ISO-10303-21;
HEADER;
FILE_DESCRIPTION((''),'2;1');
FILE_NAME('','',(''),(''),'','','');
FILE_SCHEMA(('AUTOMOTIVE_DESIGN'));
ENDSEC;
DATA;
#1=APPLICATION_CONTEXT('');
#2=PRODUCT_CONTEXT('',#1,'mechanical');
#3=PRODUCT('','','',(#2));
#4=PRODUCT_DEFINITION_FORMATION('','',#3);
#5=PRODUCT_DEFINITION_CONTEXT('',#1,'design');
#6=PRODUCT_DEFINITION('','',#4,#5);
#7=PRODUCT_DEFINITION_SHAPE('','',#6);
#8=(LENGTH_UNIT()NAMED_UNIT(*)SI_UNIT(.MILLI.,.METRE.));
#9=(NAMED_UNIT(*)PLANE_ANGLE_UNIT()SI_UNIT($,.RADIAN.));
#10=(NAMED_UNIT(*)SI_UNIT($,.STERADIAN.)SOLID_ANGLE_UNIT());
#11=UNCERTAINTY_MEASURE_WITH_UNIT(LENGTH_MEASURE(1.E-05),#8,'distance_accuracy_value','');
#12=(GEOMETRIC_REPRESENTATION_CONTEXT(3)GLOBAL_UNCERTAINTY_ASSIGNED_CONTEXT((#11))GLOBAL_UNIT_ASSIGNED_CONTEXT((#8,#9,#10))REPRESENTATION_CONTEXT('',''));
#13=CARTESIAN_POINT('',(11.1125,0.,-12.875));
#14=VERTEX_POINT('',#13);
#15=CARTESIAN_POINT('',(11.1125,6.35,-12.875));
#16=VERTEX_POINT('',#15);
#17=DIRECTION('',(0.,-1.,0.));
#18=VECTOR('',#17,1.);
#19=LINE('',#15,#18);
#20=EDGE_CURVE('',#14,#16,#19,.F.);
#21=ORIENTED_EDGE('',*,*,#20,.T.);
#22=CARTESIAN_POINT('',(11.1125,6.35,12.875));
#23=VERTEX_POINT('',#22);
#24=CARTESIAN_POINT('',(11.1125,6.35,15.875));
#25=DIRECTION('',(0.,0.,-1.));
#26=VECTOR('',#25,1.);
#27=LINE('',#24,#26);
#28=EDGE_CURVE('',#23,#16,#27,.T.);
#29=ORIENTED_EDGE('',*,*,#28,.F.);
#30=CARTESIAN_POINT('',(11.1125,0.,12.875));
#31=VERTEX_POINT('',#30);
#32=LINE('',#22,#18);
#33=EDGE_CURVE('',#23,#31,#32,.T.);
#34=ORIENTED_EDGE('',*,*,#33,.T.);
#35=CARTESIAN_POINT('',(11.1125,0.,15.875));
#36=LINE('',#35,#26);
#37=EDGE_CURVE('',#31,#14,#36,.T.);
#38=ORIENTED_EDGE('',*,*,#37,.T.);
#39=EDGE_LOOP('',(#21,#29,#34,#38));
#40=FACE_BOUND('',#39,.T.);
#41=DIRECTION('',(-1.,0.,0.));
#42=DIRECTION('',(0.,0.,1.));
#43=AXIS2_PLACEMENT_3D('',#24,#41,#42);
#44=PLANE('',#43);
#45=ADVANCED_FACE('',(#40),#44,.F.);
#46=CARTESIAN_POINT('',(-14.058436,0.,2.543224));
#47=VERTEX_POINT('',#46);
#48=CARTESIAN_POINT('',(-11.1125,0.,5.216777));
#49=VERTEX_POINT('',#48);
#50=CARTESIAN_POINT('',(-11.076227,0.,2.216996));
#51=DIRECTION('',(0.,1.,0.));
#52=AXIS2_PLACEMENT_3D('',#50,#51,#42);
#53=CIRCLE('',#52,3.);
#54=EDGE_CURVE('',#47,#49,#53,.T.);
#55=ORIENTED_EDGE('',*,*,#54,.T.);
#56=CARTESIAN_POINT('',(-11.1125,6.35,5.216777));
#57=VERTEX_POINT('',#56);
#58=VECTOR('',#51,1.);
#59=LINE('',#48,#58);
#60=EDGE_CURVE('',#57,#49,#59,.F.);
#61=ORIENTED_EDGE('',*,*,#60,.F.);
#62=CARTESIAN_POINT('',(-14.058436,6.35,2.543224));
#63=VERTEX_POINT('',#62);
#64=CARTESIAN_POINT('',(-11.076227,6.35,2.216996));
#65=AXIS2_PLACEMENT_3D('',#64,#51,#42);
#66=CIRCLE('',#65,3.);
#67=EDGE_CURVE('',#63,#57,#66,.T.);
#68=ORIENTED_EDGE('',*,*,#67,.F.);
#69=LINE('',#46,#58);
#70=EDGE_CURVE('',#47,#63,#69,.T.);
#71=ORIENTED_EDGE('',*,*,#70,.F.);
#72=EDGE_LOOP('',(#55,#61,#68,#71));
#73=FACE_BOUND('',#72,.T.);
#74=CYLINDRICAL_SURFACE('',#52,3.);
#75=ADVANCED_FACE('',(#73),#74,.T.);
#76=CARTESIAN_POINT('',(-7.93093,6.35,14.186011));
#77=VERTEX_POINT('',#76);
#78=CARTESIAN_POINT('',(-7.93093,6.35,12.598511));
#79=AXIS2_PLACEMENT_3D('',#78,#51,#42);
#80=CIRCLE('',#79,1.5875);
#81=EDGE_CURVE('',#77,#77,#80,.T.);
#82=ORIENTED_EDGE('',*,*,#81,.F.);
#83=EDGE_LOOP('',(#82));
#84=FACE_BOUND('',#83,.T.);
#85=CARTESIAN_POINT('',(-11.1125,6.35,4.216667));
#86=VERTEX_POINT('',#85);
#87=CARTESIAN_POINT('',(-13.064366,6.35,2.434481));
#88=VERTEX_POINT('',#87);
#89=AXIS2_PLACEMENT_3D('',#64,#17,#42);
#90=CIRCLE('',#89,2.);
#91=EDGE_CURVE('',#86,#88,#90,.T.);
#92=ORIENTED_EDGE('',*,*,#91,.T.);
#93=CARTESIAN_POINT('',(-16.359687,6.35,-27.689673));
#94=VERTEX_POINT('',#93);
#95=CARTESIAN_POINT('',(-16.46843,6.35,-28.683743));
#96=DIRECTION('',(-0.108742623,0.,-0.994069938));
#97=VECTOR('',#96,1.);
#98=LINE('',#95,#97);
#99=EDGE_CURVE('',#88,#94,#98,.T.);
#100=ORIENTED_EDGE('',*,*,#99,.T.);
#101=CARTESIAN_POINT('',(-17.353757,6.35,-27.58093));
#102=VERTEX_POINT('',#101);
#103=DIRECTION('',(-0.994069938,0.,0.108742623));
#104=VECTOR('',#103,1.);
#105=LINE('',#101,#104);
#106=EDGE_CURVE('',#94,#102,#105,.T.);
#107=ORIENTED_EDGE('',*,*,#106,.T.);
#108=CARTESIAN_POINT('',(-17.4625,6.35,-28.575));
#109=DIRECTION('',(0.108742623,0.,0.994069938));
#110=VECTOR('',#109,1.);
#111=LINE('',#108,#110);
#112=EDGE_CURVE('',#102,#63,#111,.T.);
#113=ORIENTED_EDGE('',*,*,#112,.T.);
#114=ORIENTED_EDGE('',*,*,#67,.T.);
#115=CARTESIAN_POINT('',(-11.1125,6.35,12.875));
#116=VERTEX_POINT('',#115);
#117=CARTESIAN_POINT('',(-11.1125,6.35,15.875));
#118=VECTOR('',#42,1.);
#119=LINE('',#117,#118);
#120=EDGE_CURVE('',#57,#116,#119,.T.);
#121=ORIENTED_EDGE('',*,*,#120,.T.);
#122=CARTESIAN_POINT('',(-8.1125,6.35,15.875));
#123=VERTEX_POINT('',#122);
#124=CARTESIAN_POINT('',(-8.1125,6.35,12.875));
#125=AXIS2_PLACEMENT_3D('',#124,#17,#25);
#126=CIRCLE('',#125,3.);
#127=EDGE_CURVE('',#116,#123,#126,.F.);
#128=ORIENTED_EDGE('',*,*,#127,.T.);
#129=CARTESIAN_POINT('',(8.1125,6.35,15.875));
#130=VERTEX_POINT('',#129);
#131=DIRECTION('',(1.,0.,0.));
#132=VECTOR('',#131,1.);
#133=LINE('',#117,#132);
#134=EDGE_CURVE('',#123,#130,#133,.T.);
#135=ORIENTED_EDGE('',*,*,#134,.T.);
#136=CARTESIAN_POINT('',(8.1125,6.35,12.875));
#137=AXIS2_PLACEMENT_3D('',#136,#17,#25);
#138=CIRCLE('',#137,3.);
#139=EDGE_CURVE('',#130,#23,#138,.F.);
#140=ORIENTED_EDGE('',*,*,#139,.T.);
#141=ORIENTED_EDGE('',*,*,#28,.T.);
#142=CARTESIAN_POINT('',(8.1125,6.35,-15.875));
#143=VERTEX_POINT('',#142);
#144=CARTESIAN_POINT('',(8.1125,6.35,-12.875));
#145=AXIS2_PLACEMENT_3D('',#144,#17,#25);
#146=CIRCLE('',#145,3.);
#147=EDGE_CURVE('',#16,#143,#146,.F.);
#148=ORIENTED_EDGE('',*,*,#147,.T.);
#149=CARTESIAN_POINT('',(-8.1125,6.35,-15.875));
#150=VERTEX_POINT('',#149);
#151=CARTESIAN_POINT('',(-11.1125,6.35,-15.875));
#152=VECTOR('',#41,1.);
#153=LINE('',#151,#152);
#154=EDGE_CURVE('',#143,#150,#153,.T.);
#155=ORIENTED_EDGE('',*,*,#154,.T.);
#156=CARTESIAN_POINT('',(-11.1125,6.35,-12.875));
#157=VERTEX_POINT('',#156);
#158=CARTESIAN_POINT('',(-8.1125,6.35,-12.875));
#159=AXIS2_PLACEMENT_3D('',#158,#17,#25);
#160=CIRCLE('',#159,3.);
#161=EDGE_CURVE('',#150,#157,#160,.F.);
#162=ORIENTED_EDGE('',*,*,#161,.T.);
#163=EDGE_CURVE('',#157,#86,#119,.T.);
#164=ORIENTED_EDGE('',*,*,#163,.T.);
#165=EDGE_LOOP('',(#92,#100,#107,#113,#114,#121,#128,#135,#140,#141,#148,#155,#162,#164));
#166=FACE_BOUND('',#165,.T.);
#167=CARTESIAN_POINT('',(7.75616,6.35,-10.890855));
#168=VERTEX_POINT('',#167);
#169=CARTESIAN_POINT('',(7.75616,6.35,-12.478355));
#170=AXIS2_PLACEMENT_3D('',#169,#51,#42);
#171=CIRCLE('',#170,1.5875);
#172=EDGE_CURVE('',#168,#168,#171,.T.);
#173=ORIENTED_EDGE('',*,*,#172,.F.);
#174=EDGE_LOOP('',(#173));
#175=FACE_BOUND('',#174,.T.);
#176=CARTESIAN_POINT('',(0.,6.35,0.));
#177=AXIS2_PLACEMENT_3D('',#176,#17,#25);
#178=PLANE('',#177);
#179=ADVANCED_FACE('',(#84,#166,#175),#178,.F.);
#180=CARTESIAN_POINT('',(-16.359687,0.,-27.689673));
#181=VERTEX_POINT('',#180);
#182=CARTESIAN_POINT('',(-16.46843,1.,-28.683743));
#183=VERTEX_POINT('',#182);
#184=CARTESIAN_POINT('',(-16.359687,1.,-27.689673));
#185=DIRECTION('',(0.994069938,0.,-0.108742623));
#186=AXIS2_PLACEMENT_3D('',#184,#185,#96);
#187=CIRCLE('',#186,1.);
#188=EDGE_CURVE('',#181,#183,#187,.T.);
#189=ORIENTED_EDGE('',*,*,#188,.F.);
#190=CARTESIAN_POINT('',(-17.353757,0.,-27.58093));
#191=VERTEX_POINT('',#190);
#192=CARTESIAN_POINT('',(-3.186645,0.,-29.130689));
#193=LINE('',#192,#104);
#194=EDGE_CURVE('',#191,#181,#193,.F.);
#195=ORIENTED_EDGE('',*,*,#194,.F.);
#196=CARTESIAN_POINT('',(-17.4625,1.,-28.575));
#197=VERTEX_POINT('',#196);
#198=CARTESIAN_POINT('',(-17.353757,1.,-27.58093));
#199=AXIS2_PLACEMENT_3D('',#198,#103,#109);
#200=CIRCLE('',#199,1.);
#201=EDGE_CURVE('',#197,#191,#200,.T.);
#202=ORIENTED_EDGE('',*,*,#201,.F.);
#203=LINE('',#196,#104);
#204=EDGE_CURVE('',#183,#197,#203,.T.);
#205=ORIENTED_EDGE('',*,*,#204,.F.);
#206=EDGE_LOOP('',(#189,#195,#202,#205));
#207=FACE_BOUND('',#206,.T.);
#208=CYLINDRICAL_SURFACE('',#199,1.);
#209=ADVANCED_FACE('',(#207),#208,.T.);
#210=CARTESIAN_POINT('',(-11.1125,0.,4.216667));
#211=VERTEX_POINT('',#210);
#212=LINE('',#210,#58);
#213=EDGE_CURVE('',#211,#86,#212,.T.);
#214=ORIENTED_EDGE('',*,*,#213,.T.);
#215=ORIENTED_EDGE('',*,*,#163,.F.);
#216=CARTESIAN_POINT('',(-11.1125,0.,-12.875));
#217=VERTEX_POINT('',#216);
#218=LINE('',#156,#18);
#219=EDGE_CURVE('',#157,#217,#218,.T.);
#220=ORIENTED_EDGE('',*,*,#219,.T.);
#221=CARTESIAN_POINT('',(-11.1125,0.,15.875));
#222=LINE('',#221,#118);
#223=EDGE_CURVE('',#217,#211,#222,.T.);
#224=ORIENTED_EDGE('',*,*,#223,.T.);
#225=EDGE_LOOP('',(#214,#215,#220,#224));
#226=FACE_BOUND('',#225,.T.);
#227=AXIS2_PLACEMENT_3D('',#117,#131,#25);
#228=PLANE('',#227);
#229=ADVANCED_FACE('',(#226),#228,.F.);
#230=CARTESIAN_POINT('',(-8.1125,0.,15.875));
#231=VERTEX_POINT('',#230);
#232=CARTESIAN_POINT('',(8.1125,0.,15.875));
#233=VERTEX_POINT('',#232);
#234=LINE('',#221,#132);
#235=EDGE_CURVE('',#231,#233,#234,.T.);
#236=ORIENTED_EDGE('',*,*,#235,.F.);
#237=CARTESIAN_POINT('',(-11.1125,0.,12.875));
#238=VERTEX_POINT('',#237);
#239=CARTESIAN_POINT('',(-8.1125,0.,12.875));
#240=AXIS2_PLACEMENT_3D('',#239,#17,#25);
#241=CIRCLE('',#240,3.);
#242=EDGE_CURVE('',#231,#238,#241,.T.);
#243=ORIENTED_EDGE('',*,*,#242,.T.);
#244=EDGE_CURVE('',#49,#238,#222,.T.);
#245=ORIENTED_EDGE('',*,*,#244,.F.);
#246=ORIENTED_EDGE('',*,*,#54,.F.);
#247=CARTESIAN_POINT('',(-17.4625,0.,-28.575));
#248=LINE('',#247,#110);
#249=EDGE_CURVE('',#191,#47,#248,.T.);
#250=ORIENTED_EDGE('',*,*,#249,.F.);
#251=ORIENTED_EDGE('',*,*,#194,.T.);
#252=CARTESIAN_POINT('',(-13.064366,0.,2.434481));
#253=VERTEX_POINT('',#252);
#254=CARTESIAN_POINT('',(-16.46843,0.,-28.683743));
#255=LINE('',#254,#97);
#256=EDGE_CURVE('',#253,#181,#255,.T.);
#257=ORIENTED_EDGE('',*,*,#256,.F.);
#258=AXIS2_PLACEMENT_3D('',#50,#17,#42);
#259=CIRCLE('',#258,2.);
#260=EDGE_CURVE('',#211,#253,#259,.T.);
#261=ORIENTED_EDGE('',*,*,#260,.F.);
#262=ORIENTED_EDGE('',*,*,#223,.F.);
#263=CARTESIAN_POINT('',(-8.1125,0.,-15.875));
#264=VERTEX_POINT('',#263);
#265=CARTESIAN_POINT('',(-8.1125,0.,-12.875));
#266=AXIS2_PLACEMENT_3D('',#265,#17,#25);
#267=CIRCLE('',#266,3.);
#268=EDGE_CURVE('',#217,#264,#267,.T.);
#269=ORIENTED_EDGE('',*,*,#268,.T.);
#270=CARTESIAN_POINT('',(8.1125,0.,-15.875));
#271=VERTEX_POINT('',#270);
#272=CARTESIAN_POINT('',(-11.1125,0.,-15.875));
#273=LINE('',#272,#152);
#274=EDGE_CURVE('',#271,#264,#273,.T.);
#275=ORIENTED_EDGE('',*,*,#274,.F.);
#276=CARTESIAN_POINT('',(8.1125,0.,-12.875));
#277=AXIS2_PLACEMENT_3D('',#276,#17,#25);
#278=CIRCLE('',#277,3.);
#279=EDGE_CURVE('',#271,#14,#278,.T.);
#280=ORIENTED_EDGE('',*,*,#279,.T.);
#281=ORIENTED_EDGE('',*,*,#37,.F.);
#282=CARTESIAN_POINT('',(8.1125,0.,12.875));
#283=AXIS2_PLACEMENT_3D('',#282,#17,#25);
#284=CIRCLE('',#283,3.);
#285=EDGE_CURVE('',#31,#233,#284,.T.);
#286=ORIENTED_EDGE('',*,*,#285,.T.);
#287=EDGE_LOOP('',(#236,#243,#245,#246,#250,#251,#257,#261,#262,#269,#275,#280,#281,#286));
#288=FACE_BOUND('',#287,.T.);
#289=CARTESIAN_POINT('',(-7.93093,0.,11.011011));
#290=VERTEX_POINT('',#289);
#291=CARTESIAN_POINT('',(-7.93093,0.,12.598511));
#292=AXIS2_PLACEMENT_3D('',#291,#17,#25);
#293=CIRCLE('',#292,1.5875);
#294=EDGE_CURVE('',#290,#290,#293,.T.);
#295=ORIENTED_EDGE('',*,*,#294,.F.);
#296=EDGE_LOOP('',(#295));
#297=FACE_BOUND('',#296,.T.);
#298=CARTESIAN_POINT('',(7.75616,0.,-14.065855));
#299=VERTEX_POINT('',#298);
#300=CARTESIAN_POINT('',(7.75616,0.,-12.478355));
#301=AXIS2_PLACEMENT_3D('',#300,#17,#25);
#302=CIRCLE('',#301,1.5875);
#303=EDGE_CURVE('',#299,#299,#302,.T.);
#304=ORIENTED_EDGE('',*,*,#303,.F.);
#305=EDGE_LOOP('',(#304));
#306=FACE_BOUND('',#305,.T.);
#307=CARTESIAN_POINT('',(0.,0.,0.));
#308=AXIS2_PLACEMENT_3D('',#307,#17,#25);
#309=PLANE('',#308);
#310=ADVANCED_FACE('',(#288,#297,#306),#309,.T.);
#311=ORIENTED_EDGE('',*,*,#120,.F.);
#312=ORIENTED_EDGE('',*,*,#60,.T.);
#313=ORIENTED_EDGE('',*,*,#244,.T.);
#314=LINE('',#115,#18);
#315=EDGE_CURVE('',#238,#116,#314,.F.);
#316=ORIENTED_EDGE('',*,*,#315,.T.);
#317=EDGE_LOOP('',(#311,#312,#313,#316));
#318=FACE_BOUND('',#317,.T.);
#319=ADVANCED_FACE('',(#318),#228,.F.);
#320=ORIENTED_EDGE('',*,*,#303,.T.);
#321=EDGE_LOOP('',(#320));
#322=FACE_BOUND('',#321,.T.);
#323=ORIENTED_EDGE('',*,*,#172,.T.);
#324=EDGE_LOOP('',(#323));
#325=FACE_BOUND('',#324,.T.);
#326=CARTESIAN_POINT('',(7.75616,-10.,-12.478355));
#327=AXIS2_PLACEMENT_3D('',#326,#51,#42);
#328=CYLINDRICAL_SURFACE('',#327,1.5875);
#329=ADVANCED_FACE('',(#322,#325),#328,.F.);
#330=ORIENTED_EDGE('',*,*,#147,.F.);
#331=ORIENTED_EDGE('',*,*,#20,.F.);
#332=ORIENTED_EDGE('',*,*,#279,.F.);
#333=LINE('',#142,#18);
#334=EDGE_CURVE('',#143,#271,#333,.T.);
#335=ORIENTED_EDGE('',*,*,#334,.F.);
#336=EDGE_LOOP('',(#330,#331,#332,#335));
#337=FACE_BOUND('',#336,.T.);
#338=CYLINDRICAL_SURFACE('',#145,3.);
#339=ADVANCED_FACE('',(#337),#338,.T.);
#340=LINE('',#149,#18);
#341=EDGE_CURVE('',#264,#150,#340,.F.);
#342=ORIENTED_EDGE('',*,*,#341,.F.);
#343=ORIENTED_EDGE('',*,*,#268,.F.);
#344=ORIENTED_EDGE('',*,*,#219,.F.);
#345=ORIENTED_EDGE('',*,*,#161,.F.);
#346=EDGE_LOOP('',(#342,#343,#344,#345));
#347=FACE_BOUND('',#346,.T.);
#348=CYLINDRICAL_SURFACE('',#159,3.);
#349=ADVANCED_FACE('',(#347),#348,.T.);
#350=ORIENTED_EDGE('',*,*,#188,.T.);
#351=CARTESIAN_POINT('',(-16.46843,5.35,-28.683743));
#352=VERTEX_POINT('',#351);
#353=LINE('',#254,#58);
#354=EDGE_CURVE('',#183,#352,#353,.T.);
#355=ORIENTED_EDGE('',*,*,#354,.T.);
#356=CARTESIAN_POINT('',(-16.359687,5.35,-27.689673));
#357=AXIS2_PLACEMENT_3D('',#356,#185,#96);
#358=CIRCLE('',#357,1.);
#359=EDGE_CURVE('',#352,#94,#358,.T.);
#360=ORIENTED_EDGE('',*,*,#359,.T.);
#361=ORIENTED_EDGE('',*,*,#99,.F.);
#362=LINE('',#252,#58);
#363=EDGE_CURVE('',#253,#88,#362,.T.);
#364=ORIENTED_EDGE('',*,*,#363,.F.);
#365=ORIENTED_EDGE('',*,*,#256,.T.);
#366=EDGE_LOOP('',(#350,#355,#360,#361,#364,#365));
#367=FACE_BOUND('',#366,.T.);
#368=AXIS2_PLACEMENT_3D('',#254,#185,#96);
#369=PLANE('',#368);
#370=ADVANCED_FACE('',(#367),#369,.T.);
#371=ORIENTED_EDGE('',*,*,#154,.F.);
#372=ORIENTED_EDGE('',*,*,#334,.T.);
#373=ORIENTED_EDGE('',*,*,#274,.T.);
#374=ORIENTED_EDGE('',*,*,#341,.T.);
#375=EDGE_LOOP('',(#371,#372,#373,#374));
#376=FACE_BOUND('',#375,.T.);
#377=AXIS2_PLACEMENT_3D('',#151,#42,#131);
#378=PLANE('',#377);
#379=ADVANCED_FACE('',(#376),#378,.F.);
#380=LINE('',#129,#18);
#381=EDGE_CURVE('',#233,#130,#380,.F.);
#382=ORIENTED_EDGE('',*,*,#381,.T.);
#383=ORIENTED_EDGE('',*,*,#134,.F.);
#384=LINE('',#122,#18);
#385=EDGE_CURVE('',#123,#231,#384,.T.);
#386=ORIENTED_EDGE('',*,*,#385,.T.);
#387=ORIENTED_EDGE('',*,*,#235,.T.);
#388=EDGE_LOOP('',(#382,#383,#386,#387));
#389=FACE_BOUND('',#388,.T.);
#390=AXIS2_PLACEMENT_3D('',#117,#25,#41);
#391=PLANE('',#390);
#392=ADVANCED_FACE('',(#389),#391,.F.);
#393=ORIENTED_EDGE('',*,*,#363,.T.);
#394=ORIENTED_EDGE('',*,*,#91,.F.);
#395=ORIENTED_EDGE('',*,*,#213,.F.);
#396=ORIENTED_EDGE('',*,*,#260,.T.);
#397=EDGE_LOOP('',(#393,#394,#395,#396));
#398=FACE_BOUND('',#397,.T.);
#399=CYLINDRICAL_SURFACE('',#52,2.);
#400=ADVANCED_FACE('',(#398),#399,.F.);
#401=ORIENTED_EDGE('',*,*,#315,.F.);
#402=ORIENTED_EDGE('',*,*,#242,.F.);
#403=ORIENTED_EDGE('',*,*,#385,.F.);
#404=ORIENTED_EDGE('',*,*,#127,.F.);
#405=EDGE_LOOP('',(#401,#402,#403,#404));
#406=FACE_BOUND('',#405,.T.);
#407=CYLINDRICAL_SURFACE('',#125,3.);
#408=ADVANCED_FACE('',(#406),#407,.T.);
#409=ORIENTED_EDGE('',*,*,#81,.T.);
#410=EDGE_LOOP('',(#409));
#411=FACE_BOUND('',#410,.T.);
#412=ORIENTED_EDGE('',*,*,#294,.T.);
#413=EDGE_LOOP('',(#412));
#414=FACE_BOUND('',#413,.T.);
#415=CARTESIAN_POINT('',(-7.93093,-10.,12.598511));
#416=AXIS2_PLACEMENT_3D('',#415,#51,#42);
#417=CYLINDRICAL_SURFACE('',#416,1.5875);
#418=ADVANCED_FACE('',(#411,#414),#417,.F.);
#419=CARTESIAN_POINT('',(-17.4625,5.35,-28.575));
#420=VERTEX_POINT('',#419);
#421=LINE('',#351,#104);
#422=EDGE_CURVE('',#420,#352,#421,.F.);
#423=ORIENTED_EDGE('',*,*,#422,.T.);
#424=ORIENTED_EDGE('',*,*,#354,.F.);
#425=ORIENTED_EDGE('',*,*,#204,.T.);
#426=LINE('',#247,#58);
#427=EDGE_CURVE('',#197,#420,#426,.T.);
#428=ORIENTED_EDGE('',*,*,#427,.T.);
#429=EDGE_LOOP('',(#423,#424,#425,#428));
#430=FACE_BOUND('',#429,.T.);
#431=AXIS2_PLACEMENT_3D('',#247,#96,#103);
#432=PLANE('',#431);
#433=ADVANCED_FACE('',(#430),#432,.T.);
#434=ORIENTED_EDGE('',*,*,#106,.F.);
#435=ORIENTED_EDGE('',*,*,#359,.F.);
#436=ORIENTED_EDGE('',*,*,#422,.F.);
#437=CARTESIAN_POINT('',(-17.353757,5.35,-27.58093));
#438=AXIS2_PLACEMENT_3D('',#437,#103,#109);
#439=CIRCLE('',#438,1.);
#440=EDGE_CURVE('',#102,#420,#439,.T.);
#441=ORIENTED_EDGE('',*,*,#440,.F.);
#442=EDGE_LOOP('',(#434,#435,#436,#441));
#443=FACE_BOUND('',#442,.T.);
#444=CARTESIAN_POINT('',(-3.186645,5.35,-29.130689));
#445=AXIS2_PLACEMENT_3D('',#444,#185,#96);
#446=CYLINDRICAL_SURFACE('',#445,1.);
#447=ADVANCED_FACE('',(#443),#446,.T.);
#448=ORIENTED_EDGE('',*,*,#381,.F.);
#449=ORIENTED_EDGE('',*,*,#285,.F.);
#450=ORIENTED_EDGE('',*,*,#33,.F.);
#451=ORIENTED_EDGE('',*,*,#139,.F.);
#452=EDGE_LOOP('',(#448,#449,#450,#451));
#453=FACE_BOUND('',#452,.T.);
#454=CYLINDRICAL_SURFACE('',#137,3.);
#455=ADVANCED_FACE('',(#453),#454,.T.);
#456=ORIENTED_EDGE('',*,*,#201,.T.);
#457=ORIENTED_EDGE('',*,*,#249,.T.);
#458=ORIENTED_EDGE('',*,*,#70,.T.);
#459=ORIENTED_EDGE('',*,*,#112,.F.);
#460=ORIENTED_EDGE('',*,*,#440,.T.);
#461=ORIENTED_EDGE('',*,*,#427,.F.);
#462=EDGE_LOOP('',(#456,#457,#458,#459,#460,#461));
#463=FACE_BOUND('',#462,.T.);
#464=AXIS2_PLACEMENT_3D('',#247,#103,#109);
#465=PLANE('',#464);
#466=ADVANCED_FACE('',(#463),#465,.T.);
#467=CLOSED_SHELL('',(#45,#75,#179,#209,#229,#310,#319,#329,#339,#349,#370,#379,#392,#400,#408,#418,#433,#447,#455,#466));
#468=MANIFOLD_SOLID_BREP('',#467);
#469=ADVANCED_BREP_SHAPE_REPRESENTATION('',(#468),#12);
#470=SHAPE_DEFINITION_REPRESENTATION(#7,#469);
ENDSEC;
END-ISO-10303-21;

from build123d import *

# Parameters (mm, degrees)
SKETCH1_W           = 22.225
SKETCH1_H           = 31.75
BOSS_EXTRUDE1_DEPTH = 6.35
FILLET1_R           = 3
BOSS_EXTRUDE2_DEPTH = 6.35
FILLET2_R           = 1
SKETCH3_R           = 1.5875
CUT_EXTRUDE1_DEPTH  = 16.35


with BuildPart() as part:
    # Sketch1 → Boss-Extrude1 (new body)
    with BuildSketch(Plane(origin=(0, 0, 0), x_dir=(1, 0, 0), z_dir=(0, 1, 0))):
        Rectangle(SKETCH1_W, SKETCH1_H)
    extrude(amount=BOSS_EXTRUDE1_DEPTH)

    # Fillet1
    fillet1_edges = [part.edges().sort_by_distance(p)[0] for p in [
        (11.1125, 3.175, 15.875),
        (-11.1125, 3.175, 15.875),
        (-11.1125, 3.175, -15.875),
        (11.1125, 3.175, -15.875),
    ]]
    fillet(fillet1_edges, radius=FILLET1_R)

    # Sketch2 → Boss-Extrude2 (add)
    with BuildSketch(Plane(origin=(0, 6.35, 0), x_dir=(1, 0, 0), z_dir=(0, 1, 0))):
        with BuildLine():
            Line((-17.4625, 28.575), (-14.058436423, -2.543223758))
            ThreePointArc((-14.058436423, -2.543223758), (-13.078889385, -4.450679351), (-11.076226608, -5.21699589))
            Line((-11.076226608, -5.21699589), (-6.223943536, -5.21699589))
            Line((-6.223943536, -5.21699589), (-6.223943536, -4.21699589))
            Line((-6.223943536, -4.21699589), (-11.076226608, -4.21699589))
            ThreePointArc((-11.076226608, -4.21699589), (-12.411335126, -3.706118197), (-13.064366485, -2.434481136))
            Line((-13.064366485, -2.434481136), (-16.468430062, 28.683742623))
            Line((-16.468430062, 28.683742623), (-17.4625, 28.575))
        make_face()
    extrude(amount=-BOSS_EXTRUDE2_DEPTH)

    # Fillet2
    fillet2_edges = [part.edges().sort_by_distance(p)[0] for p in [
        (-16.965465031, 6.35, -28.629371311),
        (-16.965465031, 0, -28.629371311),
    ]]
    fillet(fillet2_edges, radius=FILLET2_R)

    # Sketch3 → Cut-Extrude1 (cut)
    with BuildSketch(Plane(origin=(0, 6.35, 0), x_dir=(1, 0, 0), z_dir=(0, 1, 0))):
        with Locations((7.756160145, 12.478354906)):
            Circle(SKETCH3_R)
        with Locations((-7.930929808, -12.598511213)):
            Circle(SKETCH3_R)
    extrude(amount=-CUT_EXTRUDE1_DEPTH, mode=Mode.SUBTRACT)


solid = part.part
